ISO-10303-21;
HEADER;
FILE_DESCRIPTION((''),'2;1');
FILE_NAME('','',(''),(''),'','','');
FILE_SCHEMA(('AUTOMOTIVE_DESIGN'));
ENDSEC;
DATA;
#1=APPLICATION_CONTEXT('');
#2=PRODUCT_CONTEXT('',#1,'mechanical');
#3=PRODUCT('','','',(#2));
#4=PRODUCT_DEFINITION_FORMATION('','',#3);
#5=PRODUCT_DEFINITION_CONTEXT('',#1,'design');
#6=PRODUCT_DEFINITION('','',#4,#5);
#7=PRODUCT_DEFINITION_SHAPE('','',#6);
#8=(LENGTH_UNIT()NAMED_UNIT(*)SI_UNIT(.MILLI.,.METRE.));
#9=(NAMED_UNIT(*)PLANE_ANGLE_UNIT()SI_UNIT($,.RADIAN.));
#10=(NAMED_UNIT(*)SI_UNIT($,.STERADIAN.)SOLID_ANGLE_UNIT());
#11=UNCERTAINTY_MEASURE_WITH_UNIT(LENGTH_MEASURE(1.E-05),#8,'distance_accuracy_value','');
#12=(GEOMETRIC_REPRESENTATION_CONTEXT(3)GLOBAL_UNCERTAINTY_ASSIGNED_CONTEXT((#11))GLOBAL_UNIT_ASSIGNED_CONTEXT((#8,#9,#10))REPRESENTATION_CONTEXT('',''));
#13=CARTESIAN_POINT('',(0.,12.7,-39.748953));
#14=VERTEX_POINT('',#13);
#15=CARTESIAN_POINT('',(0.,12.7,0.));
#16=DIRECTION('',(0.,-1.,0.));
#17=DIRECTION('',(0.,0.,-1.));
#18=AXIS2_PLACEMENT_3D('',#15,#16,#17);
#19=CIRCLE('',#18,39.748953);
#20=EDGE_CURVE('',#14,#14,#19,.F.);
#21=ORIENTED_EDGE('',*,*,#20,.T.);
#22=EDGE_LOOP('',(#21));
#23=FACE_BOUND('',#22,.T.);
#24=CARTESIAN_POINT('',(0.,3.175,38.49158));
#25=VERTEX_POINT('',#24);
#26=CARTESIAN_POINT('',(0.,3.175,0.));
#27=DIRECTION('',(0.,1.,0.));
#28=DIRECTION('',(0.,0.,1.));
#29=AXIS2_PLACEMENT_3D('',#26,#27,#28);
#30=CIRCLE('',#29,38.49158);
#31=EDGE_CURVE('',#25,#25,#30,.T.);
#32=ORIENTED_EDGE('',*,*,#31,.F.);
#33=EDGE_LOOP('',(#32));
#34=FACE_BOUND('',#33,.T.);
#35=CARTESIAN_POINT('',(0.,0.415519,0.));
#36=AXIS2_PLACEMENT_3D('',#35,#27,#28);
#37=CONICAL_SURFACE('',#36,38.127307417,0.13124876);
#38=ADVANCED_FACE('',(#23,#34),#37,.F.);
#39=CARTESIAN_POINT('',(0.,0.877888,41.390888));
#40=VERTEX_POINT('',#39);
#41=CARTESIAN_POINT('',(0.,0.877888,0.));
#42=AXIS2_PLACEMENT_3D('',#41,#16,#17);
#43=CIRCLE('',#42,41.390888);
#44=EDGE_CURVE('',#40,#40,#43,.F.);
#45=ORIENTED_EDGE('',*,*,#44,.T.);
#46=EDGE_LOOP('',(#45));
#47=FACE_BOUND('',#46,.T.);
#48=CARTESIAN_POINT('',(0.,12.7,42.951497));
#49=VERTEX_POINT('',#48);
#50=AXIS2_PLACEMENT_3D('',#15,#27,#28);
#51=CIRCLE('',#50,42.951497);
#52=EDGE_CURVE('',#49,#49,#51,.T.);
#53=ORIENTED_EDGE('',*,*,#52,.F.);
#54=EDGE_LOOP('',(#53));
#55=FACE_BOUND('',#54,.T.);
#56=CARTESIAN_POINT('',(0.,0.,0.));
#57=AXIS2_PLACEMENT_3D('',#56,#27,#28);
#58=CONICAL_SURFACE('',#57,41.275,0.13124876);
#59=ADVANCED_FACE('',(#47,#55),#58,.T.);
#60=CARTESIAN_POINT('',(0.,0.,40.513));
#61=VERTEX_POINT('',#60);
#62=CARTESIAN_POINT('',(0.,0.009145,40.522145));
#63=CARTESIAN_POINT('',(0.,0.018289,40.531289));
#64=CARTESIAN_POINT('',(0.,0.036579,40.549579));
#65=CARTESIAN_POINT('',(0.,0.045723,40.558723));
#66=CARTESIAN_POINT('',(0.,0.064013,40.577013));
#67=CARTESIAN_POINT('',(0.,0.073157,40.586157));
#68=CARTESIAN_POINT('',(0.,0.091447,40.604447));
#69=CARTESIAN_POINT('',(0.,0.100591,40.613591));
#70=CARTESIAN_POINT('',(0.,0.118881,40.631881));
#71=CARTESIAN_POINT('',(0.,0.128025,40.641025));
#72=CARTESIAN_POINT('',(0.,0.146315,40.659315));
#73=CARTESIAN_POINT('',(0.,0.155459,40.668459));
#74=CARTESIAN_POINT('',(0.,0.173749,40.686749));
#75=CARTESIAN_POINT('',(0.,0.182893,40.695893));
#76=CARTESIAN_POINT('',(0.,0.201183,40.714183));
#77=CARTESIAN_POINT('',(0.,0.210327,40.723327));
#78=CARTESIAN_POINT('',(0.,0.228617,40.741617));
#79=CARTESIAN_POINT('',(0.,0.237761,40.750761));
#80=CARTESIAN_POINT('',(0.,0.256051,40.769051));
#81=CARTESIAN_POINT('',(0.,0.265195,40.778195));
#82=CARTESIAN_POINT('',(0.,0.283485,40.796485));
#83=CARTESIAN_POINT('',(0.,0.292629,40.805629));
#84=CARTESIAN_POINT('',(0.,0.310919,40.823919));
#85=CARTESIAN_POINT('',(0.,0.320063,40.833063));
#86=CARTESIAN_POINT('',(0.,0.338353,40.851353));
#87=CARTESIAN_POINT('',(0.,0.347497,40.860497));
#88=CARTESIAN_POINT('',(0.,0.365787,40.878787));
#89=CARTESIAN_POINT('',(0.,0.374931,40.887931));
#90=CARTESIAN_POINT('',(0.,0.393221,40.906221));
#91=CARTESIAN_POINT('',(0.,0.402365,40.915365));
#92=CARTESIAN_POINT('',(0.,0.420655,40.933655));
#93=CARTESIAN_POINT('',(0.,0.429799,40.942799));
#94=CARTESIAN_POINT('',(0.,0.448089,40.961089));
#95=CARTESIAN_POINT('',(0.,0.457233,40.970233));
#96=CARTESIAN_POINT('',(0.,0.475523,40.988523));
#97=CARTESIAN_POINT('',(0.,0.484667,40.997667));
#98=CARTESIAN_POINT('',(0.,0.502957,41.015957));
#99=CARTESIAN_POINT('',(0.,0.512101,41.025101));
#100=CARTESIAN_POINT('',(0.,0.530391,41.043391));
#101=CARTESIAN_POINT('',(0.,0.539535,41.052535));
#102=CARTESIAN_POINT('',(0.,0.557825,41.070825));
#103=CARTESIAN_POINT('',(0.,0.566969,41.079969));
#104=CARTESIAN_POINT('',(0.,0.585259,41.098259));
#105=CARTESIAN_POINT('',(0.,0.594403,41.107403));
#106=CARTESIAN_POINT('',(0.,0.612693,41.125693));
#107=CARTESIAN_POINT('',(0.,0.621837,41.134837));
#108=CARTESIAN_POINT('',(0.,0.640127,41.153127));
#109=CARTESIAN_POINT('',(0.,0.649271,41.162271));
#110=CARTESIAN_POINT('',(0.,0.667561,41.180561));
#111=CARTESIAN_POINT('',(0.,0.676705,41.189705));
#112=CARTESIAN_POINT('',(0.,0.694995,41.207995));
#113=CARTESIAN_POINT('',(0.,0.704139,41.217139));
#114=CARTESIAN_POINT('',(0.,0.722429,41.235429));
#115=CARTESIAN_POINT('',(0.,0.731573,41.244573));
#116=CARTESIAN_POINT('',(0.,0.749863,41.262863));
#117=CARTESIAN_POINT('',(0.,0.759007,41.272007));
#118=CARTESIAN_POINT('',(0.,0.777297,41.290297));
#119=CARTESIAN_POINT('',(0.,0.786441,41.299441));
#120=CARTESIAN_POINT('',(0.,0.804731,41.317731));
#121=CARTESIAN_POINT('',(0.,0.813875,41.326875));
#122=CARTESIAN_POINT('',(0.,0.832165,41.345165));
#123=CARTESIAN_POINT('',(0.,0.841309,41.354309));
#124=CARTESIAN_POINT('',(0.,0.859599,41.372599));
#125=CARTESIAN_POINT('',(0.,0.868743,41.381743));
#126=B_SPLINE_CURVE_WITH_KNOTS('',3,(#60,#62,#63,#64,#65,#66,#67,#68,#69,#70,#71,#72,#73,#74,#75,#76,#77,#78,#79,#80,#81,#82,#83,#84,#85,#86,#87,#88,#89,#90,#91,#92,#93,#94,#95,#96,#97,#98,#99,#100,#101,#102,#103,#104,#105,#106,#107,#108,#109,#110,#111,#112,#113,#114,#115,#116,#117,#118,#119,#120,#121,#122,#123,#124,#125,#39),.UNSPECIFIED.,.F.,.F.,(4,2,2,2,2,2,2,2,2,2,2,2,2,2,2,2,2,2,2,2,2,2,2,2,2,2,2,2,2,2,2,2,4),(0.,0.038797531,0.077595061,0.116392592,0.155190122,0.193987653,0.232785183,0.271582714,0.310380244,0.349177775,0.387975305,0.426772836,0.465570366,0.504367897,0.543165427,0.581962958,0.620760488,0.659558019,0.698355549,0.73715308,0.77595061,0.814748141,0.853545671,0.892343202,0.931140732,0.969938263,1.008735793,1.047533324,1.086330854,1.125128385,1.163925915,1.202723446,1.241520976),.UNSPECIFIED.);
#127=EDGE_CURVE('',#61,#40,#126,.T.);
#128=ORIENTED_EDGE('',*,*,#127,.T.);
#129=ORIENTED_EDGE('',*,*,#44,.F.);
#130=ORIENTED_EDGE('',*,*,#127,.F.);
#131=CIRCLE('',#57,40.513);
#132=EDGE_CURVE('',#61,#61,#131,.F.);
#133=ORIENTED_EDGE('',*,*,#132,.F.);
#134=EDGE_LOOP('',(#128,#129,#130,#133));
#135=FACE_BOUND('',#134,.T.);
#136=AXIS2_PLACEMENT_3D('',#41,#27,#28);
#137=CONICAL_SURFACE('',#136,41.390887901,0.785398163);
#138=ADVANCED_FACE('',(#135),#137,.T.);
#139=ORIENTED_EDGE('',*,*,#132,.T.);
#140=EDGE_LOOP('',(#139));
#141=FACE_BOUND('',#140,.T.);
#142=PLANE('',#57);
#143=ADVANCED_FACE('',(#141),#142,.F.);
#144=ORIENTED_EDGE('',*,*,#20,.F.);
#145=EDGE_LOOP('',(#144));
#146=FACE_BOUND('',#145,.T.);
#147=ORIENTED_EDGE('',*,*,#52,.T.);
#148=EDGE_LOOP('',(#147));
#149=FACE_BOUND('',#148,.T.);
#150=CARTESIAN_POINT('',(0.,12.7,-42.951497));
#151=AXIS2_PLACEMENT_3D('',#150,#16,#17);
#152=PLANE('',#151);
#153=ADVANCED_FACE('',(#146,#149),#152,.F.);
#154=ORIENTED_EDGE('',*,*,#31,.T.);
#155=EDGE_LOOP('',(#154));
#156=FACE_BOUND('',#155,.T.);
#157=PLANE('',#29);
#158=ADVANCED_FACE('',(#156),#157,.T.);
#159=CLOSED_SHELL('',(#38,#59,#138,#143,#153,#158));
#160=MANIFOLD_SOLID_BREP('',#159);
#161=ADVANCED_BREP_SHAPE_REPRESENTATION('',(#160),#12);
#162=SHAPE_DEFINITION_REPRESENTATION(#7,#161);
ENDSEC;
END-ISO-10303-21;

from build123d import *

# Parameters (mm, degrees)
SHELL1_T       = -3.175
CHAMFER1_SIZE  = 0.762
CHAMFER1_SIZE2 = 0.885503909


with BuildPart() as part:
    # Sketch1 → Revolve1 (revolve)
    with BuildSketch(Plane(origin=(0, 0, 0), x_dir=(0, 0, -1), z_dir=(1, 0, 0)), mode=Mode.PRIVATE) as revolve1_sk:
        Polygon((0, 0), (41.275, 0), (42.9514969, 12.7), (0, 12.7), align=None)
    revolve(revolve1_sk.sketch.rotate(Axis((0, 0, 0), (0, -1, 0)), 180), axis=Axis((0, 0, 0), (0, -1, 0)))

    # Shell1
    shell1_openings = [part.faces().sort_by_distance(p)[0] for p in [
        (0, 12.7, 0),
    ]]
    offset(amount=SHELL1_T, openings=shell1_openings, kind=Kind.INTERSECTION)

    # Chamfer1
    chamfer1_edges = [part.edges().sort_by_distance(p)[0] for p in [
        (0, 0, -41.275),
    ]]
    chamfer1_side = [part.faces().sort_by_distance(p)[0] for p in [
        (0, 0, 0),
    ]]
    chamfer(chamfer1_edges, length=CHAMFER1_SIZE, length2=CHAMFER1_SIZE2, reference=chamfer1_side[0])


solid = part.part
